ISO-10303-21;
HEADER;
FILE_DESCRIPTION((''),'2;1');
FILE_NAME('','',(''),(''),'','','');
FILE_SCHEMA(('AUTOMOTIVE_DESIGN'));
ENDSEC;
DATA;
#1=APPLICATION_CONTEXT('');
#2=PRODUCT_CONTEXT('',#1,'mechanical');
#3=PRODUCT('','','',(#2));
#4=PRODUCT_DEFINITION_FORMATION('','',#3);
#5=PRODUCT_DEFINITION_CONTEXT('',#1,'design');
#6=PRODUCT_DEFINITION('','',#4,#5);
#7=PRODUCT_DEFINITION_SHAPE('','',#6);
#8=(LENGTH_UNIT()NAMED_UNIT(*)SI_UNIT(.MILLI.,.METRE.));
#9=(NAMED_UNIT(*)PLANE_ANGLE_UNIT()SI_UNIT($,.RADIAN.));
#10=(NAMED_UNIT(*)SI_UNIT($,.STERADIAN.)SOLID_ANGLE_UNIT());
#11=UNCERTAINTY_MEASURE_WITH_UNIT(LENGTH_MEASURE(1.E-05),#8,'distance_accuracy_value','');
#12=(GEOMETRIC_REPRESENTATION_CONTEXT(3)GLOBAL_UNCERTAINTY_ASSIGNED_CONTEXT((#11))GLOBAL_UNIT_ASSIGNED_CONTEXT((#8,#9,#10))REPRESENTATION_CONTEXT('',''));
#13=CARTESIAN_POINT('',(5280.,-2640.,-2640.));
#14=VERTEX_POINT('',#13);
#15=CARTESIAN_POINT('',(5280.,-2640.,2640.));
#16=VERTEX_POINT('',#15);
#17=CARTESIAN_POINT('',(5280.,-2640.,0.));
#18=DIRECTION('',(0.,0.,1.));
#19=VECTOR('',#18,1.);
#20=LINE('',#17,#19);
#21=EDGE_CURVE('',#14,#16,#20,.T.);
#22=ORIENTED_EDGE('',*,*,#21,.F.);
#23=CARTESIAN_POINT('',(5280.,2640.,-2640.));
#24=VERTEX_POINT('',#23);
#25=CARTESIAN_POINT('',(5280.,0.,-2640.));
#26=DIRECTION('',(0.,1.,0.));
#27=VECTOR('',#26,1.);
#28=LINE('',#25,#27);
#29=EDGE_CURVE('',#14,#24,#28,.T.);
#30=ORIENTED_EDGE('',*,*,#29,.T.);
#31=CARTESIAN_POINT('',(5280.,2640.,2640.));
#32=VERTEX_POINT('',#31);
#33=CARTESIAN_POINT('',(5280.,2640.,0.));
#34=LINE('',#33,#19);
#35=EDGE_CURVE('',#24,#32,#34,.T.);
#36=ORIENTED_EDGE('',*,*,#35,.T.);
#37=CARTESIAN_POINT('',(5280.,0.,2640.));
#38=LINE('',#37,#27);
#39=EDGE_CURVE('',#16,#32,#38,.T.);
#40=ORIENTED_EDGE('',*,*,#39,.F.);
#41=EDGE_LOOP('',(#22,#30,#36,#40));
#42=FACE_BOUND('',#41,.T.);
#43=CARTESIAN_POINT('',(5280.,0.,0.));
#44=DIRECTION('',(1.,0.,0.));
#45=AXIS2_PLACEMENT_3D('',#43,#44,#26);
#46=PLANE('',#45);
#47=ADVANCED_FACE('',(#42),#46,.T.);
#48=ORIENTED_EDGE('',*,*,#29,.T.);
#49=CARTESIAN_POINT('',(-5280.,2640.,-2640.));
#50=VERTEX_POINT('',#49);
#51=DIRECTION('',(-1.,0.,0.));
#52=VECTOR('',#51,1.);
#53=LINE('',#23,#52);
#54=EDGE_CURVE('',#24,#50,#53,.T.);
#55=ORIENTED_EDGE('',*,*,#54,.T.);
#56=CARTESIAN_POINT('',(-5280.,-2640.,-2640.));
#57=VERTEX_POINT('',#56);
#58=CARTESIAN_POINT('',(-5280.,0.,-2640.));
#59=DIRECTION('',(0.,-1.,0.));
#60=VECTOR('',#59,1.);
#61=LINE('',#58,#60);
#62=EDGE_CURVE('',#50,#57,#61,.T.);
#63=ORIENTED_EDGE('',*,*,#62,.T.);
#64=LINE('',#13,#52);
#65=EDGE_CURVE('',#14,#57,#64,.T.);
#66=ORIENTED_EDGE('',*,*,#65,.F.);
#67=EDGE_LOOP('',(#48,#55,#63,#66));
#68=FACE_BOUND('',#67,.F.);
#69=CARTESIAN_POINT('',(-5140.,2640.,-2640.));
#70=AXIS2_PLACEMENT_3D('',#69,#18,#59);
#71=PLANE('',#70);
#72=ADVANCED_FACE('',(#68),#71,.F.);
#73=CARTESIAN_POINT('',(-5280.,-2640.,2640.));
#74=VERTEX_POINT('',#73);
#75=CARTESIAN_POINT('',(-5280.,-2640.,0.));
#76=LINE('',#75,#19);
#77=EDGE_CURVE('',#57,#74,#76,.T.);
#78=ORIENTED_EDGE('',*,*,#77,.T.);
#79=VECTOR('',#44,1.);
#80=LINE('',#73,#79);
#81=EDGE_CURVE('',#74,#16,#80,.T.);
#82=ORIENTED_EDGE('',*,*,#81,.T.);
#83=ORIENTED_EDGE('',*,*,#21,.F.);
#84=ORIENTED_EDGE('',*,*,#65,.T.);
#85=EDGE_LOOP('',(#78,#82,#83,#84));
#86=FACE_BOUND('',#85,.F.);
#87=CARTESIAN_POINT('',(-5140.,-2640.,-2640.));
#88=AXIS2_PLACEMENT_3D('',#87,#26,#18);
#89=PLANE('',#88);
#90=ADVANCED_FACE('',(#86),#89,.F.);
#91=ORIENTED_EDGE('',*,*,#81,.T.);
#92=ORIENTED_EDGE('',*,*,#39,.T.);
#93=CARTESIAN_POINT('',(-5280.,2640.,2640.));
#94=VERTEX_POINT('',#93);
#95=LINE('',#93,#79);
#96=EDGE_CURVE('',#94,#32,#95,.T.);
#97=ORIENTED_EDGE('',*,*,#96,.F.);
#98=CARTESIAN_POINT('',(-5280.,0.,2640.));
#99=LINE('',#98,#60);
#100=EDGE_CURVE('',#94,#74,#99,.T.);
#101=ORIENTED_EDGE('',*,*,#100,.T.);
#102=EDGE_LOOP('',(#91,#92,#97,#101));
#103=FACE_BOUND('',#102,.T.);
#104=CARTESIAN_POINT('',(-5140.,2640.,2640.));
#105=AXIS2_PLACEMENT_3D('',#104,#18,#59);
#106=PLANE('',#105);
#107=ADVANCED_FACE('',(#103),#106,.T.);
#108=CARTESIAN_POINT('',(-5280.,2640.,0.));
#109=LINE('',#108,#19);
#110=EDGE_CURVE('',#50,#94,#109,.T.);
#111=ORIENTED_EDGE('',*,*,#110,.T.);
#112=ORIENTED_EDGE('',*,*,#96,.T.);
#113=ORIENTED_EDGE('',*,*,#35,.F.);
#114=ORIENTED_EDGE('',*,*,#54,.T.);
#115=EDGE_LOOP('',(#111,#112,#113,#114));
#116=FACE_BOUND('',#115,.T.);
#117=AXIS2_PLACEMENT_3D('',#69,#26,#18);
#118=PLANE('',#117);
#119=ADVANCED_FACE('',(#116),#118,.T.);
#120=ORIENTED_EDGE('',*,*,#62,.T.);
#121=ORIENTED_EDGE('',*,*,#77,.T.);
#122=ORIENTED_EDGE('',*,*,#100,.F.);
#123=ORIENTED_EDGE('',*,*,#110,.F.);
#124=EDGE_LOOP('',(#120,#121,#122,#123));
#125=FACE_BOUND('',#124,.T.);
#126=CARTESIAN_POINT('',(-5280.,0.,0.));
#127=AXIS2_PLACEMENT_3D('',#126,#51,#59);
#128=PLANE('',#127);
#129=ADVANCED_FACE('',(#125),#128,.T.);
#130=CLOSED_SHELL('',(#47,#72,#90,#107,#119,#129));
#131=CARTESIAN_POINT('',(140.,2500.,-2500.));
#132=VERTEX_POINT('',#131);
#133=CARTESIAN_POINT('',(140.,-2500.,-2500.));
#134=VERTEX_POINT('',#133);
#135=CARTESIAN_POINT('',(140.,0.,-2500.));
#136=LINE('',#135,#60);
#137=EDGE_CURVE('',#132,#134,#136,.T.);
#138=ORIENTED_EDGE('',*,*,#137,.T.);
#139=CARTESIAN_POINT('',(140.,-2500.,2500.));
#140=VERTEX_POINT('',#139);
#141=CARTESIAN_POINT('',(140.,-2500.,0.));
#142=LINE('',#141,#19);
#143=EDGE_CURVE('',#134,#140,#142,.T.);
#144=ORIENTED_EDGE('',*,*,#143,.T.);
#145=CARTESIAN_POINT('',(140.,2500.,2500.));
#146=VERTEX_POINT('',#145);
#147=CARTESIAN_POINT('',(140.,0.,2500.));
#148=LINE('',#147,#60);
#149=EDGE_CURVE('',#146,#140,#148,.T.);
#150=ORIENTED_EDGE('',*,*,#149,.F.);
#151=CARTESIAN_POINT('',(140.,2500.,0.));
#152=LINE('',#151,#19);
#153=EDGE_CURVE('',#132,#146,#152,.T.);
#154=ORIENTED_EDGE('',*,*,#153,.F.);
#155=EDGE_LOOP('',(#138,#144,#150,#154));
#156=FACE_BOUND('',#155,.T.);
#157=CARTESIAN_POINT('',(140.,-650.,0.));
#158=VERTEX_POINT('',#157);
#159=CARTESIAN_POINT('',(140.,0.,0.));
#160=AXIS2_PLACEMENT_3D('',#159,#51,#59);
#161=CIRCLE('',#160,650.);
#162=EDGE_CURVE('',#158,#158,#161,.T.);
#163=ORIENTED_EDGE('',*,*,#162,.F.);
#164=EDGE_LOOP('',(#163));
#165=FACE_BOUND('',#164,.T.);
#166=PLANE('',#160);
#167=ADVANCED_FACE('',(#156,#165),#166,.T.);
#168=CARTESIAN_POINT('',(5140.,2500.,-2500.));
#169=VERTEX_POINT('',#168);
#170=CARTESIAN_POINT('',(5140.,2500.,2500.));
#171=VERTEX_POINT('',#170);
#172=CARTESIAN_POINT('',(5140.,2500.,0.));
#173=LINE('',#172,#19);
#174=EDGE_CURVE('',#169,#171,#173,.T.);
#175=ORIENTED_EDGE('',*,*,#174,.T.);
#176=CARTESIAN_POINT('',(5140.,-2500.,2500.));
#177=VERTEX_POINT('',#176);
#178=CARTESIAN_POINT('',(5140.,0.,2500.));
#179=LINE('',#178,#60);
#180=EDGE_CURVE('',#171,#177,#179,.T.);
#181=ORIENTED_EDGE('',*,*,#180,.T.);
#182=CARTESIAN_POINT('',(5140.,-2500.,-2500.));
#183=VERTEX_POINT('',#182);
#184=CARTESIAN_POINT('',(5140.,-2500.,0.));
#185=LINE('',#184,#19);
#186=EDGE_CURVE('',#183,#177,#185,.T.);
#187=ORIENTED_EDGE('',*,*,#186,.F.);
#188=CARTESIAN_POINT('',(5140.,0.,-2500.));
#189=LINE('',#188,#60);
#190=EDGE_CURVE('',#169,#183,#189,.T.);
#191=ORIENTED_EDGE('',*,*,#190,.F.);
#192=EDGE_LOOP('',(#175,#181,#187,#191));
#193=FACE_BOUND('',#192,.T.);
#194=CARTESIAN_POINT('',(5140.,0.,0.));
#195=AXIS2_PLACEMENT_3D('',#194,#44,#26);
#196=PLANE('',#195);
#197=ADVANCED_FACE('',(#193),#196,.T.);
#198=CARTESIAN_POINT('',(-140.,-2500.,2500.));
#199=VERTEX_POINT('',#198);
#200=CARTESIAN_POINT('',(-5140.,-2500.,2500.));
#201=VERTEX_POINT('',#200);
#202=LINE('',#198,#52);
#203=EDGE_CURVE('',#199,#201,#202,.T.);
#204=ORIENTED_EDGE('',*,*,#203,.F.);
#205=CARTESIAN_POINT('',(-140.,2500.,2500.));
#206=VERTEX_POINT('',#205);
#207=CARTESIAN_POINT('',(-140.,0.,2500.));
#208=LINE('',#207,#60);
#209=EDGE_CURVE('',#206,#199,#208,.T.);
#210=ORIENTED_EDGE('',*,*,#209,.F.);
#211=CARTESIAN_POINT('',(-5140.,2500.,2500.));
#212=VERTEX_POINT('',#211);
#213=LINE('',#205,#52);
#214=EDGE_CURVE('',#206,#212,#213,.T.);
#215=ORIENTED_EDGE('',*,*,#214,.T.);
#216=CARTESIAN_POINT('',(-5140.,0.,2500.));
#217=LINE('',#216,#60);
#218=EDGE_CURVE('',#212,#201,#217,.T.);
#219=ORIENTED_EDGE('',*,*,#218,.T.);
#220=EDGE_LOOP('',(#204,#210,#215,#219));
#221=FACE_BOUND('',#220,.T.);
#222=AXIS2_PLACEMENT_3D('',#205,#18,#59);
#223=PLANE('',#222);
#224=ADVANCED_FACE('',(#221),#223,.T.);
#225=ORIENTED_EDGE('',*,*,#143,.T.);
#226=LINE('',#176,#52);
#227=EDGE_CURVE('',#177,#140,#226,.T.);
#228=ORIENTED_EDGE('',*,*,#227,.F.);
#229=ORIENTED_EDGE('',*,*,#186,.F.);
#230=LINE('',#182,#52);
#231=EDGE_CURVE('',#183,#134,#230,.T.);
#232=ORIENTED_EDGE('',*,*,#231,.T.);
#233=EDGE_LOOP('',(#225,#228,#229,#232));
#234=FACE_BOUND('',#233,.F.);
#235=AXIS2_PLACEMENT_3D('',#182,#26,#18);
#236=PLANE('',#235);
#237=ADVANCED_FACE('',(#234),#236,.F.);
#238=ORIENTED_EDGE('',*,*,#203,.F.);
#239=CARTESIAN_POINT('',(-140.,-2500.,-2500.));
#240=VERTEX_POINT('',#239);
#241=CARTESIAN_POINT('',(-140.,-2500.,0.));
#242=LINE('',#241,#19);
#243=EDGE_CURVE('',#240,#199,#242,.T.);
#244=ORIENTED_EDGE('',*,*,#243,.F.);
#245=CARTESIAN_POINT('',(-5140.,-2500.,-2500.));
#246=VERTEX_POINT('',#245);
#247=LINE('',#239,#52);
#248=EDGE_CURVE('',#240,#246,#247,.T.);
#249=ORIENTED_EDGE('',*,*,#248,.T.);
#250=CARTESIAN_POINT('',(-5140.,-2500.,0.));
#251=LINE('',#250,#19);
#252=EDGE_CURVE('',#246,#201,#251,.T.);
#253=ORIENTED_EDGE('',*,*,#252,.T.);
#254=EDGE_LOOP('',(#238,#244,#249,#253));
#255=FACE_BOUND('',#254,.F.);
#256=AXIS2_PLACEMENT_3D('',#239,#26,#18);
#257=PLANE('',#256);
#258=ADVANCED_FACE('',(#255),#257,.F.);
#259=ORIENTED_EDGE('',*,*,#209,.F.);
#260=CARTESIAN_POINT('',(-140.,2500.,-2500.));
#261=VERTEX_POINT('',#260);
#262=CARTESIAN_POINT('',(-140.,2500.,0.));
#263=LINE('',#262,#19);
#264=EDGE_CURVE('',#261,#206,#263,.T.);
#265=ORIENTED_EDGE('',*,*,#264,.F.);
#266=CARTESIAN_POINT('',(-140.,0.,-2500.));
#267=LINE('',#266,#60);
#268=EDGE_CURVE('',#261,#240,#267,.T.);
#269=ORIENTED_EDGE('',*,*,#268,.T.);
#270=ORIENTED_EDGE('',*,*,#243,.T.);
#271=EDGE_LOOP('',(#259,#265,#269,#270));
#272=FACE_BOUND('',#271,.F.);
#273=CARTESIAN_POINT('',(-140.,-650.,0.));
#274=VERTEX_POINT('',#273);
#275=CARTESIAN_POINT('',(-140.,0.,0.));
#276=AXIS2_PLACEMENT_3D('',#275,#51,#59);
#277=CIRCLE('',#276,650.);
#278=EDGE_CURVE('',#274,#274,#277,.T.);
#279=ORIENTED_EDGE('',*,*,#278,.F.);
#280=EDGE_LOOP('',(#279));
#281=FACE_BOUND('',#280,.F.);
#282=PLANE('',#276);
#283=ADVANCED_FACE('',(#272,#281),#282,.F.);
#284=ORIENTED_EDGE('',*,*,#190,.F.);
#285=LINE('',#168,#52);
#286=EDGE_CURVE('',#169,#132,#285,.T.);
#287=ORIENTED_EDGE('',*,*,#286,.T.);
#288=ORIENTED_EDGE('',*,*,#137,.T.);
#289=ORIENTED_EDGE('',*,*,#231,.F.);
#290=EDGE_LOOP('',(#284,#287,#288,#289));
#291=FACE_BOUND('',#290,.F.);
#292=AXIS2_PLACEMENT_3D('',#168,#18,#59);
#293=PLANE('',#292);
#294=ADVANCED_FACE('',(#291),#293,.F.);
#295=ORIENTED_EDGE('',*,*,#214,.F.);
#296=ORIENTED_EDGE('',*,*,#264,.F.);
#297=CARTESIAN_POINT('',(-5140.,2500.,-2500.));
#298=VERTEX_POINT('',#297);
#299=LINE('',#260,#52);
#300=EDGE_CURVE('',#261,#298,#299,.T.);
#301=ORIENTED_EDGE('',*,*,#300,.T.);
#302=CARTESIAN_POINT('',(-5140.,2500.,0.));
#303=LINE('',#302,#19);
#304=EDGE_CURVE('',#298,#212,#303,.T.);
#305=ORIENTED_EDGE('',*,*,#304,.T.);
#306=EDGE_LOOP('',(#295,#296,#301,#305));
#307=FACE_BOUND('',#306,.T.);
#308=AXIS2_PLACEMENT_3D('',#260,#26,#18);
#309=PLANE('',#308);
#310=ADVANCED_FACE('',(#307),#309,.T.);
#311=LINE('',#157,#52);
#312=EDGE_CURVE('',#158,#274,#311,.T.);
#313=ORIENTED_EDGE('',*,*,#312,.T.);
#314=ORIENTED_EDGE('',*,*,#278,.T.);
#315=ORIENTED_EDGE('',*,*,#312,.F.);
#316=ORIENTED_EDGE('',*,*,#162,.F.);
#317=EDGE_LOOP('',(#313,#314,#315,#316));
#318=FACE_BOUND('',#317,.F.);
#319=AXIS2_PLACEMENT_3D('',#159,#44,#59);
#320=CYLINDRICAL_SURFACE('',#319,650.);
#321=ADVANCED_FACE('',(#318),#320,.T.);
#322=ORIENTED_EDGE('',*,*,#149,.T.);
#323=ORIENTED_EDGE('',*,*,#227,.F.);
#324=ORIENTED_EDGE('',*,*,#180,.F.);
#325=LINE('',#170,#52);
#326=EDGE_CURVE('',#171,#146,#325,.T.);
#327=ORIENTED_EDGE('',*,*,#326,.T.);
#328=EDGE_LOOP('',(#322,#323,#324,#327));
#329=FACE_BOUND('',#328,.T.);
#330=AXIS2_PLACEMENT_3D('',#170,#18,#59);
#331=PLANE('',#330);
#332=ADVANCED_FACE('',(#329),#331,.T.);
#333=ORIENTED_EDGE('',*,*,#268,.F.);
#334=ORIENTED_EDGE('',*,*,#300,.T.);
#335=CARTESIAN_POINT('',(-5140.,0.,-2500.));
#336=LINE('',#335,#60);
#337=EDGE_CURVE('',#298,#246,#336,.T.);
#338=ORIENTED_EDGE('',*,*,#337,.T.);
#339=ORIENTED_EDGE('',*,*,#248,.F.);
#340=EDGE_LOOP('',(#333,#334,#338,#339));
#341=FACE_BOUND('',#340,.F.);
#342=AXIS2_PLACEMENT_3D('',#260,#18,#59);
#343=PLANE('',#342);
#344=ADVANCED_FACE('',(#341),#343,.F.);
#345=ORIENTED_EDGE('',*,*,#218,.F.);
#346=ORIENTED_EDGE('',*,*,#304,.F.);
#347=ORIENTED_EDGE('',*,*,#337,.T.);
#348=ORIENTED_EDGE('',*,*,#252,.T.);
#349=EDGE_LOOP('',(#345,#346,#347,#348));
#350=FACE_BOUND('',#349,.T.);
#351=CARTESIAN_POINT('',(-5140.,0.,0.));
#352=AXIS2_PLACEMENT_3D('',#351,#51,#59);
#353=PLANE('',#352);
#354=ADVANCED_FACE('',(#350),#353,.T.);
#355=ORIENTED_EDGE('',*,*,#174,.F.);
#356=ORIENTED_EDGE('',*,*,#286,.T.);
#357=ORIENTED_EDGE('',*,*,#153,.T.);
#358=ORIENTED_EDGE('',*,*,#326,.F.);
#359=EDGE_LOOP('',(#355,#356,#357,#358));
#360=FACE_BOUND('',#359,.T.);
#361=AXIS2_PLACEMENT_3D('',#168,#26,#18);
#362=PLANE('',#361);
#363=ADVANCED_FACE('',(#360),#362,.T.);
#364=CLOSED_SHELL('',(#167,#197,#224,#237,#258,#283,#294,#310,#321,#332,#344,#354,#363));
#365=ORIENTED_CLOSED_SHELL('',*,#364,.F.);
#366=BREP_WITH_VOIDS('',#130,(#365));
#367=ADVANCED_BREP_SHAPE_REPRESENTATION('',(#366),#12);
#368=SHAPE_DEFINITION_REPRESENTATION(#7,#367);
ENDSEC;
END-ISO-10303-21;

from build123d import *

# Parameters (mm, degrees)
F1_W      = 5280
F1_H      = 5280
F2_DEPTH  = 140
F3_W      = 5280
F3_H      = 5280
F3_W_2    = 5000
F3_H_2    = 5000
F4_DEPTH  = 5000
F5_W      = 5280
F5_H      = 5280
F5_W_2    = 5000
F5_H_2    = 5000
F5_R      = 650
F6_DEPTH  = 280
F7_W      = 5280
F7_H      = 5280
F7_W_2    = 5000
F7_H_2    = 5000
F8_DEPTH  = 5000
F9_W      = 5280
F9_H      = 5280
F9_W_2    = 5000
F9_H_2    = 5000
F10_DEPTH = 140


with BuildPart() as f2:
    # F1 (on offset) → F2 (new body)
    with BuildSketch(Plane.YZ.offset(5280)):
        Rectangle(F1_W, F1_H)
    extrude(amount=-F2_DEPTH)

    # F3 (on face) → F4 (join)
    with BuildSketch(Plane(origin=(5140, 0, 0), x_dir=(0, -1, 0), z_dir=(-1, 0, 0))):
        Rectangle(F3_W, F3_H)
        Rectangle(F3_W_2, F3_H_2, mode=Mode.SUBTRACT)
    extrude(amount=F4_DEPTH)

    # F5 (on face) → F6 (join)
    with BuildSketch(Plane(origin=(140, 0, 0), x_dir=(0, -1, 0), z_dir=(-1, 0, 0))):
        Rectangle(F5_W, F5_H)
        Rectangle(F5_W_2, F5_H_2, mode=Mode.SUBTRACT)
        Rectangle(F5_W_2, F5_H_2)
        Circle(F5_R, mode=Mode.SUBTRACT)
    extrude(amount=F6_DEPTH)

    # F7 (on face) → F8 (join)
    with BuildSketch(Plane(origin=(-140, 0, 0), x_dir=(0, -1, 0), z_dir=(-1, 0, 0))):
        Rectangle(F7_W, F7_H)
        Rectangle(F7_W_2, F7_H_2, mode=Mode.SUBTRACT)
    extrude(amount=F8_DEPTH)

    # F9 (on face) → F10 (join)
    with BuildSketch(Plane(origin=(-5140, 0, 0), x_dir=(0, -1, 0), z_dir=(-1, 0, 0))):
        Rectangle(F9_W, F9_H)
        Rectangle(F9_W_2, F9_H_2, mode=Mode.SUBTRACT)
        Rectangle(F9_W_2, F9_H_2)
    extrude(amount=F10_DEPTH)


solid = f2.part
